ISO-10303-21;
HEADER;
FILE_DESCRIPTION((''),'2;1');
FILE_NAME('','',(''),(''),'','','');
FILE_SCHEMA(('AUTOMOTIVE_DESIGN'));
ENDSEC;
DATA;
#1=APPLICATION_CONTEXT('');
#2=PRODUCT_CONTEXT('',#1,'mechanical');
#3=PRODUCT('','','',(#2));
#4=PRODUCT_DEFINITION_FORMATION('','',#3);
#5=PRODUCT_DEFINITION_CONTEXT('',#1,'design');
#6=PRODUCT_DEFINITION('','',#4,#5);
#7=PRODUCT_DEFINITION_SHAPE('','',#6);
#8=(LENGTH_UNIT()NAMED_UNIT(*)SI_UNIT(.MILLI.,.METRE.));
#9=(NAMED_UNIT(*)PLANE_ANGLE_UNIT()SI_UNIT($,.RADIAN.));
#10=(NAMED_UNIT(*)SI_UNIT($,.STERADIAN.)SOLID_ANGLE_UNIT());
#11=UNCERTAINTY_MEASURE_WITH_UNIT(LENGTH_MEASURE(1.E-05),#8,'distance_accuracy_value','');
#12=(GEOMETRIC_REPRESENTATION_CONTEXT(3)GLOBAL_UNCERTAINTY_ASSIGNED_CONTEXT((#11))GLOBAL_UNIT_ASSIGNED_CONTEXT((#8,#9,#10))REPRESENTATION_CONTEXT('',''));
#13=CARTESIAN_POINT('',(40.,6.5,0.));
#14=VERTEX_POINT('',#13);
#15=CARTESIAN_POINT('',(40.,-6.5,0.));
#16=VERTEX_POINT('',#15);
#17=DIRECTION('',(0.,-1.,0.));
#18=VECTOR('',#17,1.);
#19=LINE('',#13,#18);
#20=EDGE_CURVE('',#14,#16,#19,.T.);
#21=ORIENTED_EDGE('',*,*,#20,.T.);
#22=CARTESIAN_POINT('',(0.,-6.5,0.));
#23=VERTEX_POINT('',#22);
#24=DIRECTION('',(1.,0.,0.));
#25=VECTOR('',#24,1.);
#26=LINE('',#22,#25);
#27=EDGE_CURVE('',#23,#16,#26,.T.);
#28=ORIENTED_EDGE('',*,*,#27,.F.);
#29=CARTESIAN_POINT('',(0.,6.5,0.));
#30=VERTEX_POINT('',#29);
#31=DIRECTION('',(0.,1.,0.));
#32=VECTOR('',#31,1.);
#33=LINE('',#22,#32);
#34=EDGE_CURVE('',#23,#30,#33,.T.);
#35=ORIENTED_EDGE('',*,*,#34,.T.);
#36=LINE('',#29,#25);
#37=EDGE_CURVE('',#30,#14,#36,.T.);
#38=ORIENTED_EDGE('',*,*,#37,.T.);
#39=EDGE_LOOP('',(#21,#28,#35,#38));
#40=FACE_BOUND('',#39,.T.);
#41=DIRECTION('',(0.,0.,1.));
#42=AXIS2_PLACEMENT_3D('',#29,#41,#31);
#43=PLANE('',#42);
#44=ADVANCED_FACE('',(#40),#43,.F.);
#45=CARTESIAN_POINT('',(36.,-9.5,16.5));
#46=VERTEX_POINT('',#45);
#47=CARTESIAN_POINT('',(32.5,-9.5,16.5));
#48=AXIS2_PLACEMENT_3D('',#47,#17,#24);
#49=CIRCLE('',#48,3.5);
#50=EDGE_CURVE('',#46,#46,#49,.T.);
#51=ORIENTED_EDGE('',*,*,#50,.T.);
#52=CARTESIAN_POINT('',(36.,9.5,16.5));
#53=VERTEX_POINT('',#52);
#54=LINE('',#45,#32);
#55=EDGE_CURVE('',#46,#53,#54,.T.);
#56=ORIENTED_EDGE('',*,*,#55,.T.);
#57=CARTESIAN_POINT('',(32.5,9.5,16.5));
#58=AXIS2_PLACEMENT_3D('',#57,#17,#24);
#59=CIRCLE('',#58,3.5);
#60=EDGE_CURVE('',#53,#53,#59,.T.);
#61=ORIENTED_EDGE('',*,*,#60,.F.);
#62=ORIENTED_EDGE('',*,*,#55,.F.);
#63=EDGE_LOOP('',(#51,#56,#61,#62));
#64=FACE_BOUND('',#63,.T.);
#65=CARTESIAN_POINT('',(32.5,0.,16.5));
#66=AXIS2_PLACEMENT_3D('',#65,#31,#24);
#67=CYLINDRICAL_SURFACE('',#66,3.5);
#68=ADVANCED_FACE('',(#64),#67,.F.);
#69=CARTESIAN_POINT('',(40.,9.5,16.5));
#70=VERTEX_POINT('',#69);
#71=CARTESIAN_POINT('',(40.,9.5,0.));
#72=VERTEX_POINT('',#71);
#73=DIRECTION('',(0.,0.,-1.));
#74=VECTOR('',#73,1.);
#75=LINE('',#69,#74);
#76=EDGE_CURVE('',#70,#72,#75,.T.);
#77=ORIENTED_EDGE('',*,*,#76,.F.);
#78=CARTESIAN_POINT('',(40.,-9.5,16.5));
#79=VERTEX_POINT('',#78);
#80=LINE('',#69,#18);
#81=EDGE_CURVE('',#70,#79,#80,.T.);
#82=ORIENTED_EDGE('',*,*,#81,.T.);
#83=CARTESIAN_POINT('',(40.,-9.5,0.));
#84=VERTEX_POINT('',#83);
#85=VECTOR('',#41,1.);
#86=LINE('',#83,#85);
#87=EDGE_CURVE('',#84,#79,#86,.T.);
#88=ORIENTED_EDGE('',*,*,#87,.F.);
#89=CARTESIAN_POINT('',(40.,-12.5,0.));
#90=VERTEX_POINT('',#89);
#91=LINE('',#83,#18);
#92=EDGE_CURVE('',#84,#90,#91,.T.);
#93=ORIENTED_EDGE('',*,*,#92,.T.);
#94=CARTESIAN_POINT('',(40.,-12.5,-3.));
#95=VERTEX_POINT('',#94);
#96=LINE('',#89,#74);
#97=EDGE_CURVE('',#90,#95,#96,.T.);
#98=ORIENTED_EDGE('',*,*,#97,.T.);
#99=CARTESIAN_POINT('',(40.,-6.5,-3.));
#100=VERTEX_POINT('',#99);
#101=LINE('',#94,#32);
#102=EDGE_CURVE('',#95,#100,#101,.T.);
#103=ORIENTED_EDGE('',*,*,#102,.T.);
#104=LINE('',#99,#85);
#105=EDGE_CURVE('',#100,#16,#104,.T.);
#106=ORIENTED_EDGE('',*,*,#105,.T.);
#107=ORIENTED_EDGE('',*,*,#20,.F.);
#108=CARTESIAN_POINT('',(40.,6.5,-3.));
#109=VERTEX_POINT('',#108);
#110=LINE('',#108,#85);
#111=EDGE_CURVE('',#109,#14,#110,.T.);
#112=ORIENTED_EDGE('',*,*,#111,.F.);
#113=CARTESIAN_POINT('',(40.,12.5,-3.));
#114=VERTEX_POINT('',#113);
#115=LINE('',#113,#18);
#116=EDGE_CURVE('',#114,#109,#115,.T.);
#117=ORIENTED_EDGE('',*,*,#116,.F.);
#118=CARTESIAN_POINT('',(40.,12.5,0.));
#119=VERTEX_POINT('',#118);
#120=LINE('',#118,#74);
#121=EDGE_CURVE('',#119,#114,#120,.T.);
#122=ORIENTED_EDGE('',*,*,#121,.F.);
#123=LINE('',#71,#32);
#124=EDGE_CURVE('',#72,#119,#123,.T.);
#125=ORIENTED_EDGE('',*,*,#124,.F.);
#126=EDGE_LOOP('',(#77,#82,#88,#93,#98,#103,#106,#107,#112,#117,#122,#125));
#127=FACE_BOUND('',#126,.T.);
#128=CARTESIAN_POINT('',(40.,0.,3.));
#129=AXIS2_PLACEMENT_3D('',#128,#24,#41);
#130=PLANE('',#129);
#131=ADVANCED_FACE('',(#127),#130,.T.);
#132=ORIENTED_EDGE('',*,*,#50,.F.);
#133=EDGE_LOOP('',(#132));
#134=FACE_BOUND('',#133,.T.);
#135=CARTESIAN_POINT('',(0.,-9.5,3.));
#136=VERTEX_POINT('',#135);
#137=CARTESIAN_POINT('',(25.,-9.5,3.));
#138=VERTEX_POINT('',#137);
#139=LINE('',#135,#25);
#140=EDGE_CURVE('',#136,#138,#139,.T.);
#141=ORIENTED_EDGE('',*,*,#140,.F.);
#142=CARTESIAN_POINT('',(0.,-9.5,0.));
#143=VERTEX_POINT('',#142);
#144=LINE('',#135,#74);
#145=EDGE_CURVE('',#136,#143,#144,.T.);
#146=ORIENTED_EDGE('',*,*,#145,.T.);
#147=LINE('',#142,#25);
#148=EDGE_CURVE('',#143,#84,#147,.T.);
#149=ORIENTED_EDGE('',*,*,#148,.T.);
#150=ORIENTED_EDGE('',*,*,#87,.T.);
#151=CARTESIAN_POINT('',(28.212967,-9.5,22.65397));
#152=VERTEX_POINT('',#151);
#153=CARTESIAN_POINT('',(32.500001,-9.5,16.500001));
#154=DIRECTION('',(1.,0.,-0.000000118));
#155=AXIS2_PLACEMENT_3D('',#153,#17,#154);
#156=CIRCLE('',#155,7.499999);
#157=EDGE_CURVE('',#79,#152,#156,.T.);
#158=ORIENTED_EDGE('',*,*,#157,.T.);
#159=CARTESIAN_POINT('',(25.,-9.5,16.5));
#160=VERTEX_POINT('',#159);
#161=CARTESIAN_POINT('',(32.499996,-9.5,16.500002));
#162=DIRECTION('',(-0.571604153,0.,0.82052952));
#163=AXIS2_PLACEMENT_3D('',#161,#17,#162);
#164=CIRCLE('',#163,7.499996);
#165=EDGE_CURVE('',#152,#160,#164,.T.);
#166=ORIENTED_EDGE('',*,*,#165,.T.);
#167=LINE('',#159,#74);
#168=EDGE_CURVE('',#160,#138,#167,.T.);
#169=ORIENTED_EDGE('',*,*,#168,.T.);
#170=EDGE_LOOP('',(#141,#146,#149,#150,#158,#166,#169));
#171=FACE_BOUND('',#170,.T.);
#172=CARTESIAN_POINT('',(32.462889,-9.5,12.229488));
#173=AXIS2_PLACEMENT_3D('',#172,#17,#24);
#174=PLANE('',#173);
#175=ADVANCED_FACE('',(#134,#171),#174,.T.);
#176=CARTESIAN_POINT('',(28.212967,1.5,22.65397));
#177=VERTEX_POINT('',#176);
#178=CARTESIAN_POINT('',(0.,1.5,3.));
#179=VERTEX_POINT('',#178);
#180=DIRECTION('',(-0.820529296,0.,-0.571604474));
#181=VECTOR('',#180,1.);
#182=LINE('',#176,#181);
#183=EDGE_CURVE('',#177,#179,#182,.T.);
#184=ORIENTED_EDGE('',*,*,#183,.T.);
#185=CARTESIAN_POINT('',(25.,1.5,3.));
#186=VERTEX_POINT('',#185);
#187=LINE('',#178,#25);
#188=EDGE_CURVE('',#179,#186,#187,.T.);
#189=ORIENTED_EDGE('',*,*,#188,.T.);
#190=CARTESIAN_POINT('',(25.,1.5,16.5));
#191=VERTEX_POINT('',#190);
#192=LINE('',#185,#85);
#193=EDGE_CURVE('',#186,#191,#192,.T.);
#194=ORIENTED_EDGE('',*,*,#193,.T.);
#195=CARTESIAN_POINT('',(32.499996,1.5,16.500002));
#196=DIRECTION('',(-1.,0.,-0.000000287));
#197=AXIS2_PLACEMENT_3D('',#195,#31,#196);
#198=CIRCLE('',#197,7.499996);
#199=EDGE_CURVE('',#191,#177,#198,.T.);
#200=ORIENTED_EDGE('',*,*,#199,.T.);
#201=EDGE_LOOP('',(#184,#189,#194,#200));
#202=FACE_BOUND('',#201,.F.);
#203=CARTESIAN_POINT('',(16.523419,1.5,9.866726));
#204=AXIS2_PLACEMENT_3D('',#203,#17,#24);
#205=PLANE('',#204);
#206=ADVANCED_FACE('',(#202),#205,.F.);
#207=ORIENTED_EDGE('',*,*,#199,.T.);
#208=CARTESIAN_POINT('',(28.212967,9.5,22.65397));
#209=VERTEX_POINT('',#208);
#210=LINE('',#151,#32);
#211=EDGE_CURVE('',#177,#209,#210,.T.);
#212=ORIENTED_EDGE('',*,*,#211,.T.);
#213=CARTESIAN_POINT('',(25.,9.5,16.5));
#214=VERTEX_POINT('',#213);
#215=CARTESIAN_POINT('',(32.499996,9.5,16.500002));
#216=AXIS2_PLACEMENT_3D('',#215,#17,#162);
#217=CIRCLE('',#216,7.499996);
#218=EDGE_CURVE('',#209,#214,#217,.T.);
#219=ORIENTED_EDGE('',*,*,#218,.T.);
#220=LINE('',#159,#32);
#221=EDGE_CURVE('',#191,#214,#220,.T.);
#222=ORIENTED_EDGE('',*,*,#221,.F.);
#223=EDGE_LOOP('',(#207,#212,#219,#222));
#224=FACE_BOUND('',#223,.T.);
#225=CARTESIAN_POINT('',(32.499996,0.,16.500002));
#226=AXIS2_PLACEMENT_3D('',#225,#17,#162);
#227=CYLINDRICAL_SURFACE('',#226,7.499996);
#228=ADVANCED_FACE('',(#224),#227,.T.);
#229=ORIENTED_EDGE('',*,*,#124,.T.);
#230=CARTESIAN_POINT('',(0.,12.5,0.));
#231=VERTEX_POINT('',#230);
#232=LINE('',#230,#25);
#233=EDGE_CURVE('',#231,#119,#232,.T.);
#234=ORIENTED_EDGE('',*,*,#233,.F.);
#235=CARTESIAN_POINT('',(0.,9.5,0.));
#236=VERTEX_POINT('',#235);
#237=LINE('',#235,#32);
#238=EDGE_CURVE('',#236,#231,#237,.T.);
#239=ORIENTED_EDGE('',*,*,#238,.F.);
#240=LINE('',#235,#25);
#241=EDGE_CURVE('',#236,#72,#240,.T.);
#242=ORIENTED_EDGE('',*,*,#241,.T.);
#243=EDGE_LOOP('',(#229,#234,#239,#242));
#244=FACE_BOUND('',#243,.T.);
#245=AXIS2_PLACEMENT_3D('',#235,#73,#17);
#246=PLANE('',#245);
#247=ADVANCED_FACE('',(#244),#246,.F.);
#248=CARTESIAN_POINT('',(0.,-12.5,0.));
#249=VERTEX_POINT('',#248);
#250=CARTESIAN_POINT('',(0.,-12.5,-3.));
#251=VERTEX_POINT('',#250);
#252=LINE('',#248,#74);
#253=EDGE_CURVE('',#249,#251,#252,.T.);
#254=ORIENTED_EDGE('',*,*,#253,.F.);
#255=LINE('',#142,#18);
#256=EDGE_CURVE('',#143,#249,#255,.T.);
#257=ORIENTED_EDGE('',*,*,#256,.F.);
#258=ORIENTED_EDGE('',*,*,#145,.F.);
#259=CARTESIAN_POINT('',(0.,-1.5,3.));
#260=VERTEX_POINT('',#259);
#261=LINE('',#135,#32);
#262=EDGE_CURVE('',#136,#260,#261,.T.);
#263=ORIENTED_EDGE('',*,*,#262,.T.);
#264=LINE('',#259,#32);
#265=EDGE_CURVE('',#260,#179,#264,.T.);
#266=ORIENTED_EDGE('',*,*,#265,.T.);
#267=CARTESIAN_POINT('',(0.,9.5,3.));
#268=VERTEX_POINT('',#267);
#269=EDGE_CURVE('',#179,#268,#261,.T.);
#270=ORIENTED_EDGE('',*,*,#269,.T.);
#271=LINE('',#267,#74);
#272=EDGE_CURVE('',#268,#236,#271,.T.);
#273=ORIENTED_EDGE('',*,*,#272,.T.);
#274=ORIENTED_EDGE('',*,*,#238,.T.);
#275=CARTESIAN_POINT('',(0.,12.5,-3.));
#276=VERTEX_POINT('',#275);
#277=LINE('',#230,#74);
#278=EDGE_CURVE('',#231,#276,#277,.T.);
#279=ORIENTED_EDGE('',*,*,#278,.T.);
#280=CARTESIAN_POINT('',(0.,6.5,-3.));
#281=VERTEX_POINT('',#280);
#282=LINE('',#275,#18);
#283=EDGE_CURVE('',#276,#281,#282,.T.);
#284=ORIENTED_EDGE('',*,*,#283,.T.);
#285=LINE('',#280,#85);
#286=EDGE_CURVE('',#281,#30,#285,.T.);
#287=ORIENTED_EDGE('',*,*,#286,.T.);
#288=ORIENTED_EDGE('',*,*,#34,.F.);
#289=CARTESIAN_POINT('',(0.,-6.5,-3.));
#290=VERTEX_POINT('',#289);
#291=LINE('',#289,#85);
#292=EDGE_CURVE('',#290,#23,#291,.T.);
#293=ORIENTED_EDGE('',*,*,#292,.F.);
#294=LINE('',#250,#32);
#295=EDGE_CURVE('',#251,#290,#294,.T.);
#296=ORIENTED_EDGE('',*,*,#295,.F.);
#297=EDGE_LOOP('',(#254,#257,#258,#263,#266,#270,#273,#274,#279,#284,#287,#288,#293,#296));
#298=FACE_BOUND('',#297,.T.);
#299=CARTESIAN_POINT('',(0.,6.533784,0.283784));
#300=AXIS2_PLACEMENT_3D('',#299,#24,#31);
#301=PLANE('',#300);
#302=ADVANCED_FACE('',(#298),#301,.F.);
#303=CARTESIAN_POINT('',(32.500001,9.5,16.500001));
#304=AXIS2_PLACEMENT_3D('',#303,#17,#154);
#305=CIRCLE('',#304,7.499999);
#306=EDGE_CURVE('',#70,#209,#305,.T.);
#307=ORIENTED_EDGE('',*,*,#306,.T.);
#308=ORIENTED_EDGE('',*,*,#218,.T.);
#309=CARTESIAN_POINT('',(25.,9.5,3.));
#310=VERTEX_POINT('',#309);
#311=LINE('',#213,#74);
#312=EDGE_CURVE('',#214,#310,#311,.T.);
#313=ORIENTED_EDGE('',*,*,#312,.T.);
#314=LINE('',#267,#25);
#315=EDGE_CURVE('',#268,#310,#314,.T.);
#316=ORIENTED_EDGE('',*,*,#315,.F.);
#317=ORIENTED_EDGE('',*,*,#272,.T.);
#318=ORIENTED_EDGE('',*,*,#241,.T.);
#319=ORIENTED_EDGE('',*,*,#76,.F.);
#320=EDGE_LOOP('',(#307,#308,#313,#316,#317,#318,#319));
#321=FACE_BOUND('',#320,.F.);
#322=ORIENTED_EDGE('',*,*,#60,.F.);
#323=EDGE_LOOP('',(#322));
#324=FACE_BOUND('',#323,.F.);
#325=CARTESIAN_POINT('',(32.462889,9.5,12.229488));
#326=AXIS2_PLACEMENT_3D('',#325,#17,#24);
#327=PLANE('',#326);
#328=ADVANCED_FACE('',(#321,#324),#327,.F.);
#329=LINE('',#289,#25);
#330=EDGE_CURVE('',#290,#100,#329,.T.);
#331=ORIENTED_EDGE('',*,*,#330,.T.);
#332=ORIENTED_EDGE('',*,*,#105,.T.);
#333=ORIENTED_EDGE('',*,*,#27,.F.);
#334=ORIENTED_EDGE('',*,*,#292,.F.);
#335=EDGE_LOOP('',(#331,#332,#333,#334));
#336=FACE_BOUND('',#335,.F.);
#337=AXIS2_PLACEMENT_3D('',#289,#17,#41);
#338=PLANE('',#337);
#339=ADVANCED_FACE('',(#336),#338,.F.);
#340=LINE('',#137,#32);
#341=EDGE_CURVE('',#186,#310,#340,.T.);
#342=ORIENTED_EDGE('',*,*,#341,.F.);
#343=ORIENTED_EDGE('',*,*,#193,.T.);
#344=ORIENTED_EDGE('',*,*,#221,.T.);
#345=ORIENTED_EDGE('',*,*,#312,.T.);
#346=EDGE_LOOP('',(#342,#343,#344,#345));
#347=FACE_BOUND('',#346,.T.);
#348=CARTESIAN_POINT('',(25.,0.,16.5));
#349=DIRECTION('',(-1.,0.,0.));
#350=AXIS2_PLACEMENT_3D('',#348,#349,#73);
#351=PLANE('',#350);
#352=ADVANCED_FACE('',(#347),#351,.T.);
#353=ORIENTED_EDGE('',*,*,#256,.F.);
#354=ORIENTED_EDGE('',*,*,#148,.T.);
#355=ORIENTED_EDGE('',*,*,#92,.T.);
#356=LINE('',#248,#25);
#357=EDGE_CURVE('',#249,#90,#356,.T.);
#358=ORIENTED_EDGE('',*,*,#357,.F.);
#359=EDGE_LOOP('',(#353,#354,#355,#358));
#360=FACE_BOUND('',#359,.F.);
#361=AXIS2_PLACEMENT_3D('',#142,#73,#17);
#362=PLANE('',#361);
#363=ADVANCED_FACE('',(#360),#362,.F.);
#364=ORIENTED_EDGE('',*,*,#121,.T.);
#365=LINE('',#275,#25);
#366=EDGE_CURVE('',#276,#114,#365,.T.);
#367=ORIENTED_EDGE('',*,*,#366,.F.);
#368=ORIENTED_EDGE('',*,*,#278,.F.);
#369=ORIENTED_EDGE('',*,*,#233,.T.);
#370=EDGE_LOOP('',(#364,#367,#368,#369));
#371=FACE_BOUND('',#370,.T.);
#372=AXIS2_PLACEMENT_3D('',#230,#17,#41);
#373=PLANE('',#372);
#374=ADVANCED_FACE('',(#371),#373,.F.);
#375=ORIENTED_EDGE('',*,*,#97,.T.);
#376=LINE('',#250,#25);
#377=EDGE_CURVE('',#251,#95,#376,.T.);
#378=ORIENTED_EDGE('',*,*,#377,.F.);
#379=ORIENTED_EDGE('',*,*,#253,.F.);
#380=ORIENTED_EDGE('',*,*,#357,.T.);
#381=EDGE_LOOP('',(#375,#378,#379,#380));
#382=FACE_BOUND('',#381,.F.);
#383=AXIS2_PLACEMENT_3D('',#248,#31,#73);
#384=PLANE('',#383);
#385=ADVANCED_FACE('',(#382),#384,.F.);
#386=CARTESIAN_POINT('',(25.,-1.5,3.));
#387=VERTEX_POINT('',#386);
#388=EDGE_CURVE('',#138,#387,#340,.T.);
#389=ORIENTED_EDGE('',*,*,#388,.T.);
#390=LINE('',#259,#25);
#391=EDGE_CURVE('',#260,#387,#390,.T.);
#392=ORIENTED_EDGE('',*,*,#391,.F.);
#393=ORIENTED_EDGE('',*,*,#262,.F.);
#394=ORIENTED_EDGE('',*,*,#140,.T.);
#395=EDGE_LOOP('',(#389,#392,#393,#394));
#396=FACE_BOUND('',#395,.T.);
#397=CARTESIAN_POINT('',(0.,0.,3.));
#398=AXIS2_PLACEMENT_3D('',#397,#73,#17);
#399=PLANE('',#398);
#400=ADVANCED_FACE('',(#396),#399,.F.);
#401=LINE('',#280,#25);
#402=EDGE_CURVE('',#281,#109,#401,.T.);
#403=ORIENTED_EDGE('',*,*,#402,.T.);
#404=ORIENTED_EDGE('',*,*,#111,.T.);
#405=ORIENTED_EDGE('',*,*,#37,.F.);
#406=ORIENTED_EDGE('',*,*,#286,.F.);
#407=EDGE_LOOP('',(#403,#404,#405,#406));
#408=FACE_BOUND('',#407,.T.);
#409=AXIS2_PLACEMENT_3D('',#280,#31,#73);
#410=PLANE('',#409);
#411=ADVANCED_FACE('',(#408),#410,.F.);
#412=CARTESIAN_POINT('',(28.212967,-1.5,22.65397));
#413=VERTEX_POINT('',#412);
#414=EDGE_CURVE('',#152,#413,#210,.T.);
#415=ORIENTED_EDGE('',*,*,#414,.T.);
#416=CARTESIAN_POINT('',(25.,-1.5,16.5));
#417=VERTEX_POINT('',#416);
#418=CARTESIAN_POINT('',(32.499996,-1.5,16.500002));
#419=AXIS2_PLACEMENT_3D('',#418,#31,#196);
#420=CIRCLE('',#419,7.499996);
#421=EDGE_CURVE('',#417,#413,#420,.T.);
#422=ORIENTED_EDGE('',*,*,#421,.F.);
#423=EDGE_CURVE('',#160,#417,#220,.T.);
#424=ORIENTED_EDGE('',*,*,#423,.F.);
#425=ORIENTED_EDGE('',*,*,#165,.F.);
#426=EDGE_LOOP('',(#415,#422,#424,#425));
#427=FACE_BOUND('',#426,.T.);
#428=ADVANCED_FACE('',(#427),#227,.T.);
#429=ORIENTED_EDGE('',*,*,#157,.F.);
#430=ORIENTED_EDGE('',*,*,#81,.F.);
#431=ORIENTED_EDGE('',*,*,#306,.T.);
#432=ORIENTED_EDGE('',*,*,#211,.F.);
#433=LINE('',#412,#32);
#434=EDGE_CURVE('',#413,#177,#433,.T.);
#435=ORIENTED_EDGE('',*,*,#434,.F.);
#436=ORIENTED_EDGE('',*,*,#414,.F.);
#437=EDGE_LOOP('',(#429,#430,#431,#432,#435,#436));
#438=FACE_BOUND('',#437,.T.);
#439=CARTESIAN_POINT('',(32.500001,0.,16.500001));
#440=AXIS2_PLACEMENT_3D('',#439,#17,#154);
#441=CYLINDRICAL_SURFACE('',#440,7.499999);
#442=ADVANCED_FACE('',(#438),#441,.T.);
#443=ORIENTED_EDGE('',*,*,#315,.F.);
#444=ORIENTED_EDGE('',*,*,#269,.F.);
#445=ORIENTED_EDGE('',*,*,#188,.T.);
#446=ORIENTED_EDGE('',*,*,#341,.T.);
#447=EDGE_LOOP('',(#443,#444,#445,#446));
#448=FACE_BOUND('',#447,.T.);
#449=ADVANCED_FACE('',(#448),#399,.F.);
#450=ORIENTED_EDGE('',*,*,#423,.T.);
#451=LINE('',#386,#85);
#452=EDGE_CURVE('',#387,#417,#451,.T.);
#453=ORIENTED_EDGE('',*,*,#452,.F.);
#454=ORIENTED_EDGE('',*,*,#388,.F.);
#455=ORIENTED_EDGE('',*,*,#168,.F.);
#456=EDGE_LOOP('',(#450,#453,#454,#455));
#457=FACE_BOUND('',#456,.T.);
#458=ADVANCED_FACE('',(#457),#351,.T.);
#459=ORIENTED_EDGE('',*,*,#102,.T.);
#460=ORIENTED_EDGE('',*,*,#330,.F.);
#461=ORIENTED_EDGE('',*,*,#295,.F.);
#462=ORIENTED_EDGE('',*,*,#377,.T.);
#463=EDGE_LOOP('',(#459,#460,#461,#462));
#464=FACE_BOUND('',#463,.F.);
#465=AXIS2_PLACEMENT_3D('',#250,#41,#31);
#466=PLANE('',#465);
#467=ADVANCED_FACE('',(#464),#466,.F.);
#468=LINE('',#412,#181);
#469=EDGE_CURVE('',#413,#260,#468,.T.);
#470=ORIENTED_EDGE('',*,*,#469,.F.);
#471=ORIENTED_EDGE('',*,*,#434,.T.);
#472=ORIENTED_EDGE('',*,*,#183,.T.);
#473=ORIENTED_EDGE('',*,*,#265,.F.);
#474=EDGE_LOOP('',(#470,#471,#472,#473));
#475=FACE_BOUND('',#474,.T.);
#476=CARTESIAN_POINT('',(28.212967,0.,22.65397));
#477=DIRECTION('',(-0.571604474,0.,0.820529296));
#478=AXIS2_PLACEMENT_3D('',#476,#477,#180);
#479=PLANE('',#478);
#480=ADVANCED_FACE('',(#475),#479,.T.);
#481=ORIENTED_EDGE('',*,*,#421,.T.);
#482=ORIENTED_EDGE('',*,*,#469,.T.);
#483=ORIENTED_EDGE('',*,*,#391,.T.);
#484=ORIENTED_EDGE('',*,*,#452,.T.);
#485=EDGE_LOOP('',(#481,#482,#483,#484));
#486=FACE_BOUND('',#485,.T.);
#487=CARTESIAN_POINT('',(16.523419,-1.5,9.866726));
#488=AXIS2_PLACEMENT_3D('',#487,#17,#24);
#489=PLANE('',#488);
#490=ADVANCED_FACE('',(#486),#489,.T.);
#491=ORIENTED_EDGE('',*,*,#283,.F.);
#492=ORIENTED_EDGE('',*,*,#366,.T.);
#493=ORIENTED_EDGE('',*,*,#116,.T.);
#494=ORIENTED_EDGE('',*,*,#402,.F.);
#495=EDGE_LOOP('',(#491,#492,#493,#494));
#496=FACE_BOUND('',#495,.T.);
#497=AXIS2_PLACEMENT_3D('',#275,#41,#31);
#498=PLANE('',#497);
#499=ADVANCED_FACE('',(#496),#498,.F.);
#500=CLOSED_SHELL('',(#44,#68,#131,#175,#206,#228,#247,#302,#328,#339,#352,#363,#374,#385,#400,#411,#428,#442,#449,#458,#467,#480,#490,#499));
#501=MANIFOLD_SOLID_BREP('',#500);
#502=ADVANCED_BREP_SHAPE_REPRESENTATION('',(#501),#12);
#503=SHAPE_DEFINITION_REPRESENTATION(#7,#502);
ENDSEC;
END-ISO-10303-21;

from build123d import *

# Parameters (mm, degrees)
F1_DEPTH = 40
F3_R     = 3.5
F4_DEPTH = 9.5
F5_DEPTH = 1.5


with BuildPart() as f1:
    # F0 (on Right) → F1 (new body)
    with BuildSketch(Plane.YZ):
        Polygon((-6.5, 0), (0, 0), (0, 3), (-9.5, 3), (-9.5, 0), (-12.5, 0), (-12.5, -3), (-6.5, -3), align=None)
    extrude(amount=F1_DEPTH)

    # F2: F1 across plane


with BuildPart() as f1_1:
    add(f1.part)
    add(f1.part.mirror(Plane.XZ))

    # F3 (on Front) → F4 (join, symmetric)
    with BuildSketch(Plane.XZ):
        with BuildLine():
            Line((25, 3), (40, 3))
            Line((40, 3), (40, 16.5))
            ThreePointArc((40, 16.5), (35.971113, 23.148412), (28.212967, 22.65397))
            ThreePointArc((28.212967, 22.65397), (25.851588, 19.971113), (25, 16.5))
            Line((25, 16.5), (25, 3))
        make_face()
        with Locations((32.5, 16.5)):
            Circle(F3_R, mode=Mode.SUBTRACT)
    extrude(amount=F4_DEPTH, both=True)

    # F3 (on Front) → F5 (join, symmetric)
    with BuildSketch(Plane.XZ):
        with BuildLine():
            Line((0, 3), (25, 3))
            Line((25, 3), (25, 16.5))
            ThreePointArc((25, 16.5), (25.851588, 19.971113), (28.212967, 22.65397))
            Line((28.212967, 22.65397), (0, 3))
        make_face()
    extrude(amount=F5_DEPTH, both=True)


solid = f1_1.part
